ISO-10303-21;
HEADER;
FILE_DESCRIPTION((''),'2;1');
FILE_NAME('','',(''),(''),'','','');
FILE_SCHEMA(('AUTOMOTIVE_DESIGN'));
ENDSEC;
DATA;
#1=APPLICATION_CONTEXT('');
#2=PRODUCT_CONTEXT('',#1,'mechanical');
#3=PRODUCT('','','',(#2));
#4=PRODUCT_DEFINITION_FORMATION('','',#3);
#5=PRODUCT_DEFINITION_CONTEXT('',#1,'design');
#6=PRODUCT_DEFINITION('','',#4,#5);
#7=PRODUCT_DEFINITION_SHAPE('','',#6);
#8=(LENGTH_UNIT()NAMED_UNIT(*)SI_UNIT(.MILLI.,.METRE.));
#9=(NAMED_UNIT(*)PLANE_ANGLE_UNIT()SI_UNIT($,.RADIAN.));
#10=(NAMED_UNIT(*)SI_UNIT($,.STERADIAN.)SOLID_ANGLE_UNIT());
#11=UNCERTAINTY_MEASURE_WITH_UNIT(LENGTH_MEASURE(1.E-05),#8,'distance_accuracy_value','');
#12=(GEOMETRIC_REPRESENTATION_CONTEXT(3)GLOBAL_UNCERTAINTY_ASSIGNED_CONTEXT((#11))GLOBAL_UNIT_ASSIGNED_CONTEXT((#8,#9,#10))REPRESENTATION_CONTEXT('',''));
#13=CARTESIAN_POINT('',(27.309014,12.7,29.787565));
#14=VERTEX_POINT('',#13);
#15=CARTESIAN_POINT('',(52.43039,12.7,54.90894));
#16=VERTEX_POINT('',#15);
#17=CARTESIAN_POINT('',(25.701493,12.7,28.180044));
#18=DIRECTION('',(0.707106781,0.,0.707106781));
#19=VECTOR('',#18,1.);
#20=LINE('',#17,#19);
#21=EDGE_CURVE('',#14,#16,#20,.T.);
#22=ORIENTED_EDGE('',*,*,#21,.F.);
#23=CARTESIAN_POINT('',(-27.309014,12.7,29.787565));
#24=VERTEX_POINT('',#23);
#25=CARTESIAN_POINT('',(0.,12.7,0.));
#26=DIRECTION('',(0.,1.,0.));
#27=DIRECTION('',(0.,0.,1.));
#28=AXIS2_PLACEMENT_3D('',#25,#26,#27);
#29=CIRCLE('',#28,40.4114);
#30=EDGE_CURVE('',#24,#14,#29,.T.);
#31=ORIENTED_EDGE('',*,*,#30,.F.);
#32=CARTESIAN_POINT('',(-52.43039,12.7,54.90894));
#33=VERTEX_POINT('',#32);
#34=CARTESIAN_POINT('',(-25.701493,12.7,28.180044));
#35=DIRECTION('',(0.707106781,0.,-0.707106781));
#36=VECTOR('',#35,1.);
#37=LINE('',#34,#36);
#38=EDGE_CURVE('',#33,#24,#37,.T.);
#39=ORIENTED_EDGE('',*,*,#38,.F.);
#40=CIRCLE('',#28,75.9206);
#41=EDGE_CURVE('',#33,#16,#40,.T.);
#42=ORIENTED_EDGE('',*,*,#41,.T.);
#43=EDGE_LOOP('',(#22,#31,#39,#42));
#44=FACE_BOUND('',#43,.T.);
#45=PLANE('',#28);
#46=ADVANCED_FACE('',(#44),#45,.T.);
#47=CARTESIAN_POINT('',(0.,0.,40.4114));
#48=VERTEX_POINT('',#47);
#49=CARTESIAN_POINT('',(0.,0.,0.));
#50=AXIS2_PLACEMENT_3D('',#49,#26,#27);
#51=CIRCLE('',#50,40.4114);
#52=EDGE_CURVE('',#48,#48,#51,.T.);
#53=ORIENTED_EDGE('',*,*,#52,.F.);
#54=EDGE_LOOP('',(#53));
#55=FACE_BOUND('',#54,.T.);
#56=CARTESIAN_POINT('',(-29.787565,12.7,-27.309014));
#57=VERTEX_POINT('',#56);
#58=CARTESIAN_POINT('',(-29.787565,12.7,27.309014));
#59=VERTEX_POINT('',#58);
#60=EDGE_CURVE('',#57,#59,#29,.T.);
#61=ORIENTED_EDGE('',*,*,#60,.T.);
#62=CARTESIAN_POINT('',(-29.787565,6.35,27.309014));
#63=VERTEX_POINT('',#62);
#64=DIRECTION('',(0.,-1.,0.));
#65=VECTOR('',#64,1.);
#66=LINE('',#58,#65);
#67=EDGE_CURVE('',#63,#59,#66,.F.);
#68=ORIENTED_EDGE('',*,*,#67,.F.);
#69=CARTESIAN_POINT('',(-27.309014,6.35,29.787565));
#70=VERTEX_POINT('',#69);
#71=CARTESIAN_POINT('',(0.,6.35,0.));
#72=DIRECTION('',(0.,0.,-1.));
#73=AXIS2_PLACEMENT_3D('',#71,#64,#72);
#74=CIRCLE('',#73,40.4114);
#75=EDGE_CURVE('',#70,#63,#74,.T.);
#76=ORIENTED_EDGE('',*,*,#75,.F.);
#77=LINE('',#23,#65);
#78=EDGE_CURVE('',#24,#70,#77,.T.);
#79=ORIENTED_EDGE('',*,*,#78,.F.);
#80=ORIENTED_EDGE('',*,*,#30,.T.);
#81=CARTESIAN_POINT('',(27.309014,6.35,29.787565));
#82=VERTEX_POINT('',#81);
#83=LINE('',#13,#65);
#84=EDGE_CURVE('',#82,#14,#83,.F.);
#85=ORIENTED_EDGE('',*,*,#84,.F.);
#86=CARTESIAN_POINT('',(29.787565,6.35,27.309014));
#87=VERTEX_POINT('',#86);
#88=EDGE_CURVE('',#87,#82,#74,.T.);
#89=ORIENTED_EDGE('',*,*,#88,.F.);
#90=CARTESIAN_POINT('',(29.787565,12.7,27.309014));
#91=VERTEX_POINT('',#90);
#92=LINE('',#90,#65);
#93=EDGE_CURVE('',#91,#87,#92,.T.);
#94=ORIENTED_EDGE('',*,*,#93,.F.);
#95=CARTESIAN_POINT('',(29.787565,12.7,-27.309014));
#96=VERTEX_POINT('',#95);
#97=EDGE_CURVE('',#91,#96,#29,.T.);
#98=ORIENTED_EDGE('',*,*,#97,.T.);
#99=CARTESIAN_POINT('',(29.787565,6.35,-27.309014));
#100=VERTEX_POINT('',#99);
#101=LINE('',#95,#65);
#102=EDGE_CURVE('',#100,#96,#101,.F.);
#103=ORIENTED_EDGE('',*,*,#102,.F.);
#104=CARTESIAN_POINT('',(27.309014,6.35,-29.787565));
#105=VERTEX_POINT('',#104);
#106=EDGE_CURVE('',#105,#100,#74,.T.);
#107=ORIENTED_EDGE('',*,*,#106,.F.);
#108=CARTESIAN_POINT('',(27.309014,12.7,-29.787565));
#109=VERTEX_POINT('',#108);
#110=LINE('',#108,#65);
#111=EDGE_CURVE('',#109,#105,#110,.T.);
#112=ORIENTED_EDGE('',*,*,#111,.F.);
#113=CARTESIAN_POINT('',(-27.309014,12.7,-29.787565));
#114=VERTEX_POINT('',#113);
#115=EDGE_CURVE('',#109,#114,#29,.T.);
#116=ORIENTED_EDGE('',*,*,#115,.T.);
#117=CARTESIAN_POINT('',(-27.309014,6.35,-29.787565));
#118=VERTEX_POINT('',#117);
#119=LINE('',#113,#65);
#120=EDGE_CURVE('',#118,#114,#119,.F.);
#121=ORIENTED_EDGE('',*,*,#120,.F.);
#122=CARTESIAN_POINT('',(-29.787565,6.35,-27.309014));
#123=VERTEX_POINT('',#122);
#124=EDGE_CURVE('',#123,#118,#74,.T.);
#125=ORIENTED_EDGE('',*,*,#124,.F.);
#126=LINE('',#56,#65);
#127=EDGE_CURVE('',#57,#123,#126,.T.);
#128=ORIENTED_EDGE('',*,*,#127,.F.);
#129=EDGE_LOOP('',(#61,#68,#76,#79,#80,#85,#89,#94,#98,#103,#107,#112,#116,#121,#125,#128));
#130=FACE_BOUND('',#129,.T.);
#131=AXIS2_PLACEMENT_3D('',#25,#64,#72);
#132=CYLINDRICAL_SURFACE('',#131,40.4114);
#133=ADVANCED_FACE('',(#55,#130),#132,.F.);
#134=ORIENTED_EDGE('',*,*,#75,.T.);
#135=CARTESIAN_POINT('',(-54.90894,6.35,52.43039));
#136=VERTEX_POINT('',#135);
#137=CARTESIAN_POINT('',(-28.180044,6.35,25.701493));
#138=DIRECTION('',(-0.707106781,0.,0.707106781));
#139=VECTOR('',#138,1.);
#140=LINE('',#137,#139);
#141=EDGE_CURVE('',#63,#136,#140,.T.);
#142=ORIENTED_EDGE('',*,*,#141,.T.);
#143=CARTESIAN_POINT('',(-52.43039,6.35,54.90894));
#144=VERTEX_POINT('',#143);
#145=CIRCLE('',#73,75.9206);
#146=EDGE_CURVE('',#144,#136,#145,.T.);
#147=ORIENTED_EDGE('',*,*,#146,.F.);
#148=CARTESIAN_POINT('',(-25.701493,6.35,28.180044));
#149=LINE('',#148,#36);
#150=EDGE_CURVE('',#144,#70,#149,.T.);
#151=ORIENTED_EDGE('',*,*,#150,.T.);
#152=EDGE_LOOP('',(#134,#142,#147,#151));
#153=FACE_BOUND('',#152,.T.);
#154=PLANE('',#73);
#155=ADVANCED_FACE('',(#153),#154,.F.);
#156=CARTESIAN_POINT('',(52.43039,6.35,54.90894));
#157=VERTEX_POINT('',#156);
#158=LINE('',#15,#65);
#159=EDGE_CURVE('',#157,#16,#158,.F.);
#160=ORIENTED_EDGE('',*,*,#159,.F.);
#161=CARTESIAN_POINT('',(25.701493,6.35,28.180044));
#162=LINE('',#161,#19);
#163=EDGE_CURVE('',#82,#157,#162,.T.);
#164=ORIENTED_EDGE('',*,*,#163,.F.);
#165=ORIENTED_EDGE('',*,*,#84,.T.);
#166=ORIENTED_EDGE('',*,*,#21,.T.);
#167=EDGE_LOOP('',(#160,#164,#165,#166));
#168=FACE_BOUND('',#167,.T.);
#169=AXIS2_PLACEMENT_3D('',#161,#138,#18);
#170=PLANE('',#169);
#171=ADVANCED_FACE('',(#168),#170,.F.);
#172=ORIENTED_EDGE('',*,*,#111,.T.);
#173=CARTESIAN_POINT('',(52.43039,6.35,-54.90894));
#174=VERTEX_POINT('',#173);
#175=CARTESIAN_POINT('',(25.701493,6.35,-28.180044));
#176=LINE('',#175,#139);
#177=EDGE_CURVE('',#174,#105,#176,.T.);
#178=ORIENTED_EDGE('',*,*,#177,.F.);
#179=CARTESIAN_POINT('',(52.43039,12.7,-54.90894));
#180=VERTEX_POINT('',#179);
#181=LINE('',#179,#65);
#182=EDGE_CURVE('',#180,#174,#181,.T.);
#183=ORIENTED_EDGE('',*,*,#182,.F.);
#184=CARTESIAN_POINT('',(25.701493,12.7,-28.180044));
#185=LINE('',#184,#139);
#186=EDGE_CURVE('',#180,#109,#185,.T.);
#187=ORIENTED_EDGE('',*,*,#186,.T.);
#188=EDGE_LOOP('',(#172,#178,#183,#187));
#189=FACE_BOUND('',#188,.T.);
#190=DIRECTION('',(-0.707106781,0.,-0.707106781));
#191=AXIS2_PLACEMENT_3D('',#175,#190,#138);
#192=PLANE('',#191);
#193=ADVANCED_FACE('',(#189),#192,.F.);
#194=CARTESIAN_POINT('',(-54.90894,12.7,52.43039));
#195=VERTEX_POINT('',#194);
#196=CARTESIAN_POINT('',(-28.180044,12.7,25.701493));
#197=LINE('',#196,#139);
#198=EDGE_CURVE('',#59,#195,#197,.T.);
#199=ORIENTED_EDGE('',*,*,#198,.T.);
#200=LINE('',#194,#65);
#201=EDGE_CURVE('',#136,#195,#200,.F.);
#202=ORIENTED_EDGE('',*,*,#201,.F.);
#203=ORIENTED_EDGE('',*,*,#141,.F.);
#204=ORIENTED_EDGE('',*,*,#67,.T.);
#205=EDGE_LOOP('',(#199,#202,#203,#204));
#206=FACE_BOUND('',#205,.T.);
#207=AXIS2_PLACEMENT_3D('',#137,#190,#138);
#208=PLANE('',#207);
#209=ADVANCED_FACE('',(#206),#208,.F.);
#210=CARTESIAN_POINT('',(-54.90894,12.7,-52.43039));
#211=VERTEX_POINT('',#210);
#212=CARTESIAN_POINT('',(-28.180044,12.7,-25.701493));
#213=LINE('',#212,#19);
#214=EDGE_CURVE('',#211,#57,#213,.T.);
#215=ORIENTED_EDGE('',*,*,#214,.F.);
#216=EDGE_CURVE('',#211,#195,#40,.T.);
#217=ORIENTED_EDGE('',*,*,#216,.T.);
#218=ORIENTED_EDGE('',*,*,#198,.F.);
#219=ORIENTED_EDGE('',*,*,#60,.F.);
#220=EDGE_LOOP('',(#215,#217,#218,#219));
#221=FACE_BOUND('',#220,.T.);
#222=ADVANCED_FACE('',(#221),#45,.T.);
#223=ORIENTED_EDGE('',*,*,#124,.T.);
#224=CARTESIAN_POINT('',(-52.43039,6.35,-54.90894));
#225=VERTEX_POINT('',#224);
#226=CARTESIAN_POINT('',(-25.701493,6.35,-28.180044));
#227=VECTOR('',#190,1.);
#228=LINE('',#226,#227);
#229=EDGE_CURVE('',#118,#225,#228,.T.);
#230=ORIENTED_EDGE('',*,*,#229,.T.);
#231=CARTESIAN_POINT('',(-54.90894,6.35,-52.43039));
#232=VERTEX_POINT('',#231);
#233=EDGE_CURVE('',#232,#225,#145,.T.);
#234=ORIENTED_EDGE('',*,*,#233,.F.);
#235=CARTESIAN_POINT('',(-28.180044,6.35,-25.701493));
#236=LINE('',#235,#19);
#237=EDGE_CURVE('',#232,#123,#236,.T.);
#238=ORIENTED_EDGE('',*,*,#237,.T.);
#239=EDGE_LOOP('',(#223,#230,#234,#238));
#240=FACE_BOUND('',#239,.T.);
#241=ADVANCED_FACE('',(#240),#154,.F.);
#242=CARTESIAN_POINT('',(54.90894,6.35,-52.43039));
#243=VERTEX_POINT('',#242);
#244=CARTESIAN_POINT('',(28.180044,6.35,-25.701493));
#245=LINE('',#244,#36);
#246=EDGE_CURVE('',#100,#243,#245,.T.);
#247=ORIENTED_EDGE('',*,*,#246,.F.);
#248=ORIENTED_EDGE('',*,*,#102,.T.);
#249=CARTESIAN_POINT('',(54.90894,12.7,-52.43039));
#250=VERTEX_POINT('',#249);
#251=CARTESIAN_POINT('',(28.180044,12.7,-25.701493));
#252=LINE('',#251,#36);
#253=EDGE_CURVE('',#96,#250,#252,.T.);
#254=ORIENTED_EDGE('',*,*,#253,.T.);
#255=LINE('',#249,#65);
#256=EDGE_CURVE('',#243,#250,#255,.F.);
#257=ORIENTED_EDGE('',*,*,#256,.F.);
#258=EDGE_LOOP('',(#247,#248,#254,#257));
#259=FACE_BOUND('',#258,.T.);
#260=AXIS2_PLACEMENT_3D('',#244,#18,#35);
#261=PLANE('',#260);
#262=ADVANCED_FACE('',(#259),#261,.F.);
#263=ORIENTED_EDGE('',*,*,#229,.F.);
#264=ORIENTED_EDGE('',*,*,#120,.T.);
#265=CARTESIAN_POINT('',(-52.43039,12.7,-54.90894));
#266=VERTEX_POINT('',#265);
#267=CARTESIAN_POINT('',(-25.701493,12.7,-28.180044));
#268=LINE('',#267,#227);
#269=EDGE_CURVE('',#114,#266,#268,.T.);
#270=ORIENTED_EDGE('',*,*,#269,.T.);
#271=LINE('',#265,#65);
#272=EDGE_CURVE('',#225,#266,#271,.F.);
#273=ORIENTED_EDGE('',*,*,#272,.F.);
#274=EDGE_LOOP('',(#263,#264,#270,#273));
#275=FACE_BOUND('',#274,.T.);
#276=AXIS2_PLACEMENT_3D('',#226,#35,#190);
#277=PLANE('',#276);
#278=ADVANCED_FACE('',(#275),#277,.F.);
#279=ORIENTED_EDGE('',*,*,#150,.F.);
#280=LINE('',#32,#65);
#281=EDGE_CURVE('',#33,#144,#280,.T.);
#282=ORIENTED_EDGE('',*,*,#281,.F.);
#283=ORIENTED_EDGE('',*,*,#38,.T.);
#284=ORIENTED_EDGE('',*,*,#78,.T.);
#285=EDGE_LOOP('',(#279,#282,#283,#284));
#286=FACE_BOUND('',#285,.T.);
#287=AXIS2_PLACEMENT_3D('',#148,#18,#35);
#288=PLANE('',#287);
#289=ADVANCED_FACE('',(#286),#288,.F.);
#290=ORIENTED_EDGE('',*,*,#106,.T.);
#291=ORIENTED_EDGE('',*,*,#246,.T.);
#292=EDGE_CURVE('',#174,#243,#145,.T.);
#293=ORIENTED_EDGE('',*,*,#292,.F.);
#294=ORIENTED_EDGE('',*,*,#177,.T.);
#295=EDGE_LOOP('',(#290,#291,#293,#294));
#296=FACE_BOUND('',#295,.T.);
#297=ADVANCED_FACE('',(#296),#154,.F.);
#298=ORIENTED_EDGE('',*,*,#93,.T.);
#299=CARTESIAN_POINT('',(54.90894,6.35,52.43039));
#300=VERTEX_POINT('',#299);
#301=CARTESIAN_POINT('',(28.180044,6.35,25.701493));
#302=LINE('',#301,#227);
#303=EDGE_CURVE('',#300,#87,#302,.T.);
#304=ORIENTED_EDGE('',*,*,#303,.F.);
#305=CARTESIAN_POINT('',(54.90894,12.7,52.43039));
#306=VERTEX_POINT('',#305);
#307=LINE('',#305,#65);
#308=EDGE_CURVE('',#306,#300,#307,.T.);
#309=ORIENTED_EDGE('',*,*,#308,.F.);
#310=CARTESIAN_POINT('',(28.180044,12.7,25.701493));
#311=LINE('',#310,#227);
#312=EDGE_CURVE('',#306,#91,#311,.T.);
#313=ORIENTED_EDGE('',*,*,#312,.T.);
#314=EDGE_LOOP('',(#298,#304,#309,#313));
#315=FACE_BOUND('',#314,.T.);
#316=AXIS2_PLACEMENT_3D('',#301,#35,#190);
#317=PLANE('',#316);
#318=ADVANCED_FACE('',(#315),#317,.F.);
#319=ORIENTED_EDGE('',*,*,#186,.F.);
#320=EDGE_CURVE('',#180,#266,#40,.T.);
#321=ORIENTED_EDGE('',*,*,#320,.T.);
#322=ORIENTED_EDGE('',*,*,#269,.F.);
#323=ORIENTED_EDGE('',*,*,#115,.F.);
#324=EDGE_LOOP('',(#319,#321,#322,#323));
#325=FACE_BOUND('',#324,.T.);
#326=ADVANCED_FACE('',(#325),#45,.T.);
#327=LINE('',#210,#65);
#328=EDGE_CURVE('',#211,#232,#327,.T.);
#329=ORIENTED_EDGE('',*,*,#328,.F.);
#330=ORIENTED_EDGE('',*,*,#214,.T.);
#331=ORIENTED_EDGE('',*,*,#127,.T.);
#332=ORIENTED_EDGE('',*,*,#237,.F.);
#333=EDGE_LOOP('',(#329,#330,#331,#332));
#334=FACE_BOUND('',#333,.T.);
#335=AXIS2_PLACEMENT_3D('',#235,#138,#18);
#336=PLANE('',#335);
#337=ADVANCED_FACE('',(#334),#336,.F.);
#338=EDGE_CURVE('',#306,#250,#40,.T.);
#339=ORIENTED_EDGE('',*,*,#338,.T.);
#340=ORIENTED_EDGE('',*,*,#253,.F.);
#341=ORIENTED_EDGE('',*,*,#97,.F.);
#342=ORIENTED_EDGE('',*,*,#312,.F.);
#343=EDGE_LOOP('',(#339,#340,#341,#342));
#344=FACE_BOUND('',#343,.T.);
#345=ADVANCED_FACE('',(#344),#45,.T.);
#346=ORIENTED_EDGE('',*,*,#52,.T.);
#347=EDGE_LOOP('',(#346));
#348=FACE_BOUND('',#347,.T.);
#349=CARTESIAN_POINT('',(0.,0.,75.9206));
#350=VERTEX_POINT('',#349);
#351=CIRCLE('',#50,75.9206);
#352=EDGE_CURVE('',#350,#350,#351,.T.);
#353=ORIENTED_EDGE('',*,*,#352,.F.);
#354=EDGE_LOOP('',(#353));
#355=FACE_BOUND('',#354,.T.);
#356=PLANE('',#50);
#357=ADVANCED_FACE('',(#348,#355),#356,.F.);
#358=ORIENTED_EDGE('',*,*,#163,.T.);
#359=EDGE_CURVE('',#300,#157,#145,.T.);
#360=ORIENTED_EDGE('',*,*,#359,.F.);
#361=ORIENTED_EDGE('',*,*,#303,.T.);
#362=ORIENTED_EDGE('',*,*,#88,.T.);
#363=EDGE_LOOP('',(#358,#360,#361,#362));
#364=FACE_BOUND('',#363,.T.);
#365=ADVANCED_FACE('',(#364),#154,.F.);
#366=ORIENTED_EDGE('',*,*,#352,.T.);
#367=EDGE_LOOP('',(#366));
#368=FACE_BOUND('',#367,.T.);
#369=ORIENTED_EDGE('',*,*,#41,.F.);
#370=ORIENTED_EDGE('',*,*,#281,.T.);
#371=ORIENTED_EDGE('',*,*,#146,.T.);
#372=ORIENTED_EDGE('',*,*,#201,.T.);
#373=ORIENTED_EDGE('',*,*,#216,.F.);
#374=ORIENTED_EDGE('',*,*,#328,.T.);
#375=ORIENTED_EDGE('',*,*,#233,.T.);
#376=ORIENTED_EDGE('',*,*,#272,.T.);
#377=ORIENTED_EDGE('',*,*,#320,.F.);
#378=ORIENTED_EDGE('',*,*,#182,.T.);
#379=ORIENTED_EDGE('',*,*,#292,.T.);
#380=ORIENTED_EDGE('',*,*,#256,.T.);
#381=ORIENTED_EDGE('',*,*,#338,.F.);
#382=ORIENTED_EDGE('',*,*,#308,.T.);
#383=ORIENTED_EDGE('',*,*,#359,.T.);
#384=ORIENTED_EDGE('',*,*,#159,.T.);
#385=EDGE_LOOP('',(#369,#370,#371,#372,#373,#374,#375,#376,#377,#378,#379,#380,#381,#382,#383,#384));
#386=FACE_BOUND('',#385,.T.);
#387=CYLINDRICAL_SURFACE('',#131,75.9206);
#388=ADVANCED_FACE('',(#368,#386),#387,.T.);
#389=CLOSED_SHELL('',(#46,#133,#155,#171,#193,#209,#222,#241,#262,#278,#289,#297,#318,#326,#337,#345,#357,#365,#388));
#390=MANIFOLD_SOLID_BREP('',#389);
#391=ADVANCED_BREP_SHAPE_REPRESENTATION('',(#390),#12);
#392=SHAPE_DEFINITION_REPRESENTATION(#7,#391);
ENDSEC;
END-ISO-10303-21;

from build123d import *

# Parameters (mm, degrees)
SKETCH1_R           = 75.9206
BOSS_EXTRUDE1_DEPTH = 12.7
SKETCH1_10_R        = 40.4114
CUT_EXTRUDE2_DEPTH  = 13.7
CUT_EXTRUDE5_DEPTH  = 6.35


with BuildPart() as part:
    # Sketch1 → Boss-Extrude1 (new body)
    with BuildSketch(Plane(origin=(0, 0, 0), x_dir=(1, 0, 0), z_dir=(0, 1, 0))):
        Circle(SKETCH1_R)
    extrude(amount=BOSS_EXTRUDE1_DEPTH)

    # Sketch1<10> → Cut-Extrude2 (cut, through all)
    with BuildSketch(Plane(origin=(0, 0, 0), x_dir=(1, 0, 0), z_dir=(0, 1, 0))):
        Circle(SKETCH1_10_R)
    extrude(amount=CUT_EXTRUDE2_DEPTH, mode=Mode.SUBTRACT)

    # Sketch3 → Cut-Extrude5 (cut)
    with BuildSketch(Plane(origin=(0, 12.7, 0), x_dir=(1, 0, 0), z_dir=(0, 1, 0))):
        Polygon((-28.180043708, 25.701493018), (-25.701493019, 28.180043708), (-60.52670499, 63.00525568), (-63.00525568, 60.52670499), align=None)
        Polygon((28.180043708, 25.701493019), (63.00525568, 60.52670499), (60.52670499, 63.00525568), (25.701493019, 28.180043708), align=None)
        Polygon((25.701493019, -28.180043708), (60.52670499, -63.00525568), (63.00525568, -60.52670499), (28.180043708, -25.701493018), align=None)
        Polygon((-28.180043708, -25.701493019), (-63.00525568, -60.52670499), (-60.52670499, -63.00525568), (-25.701493018, -28.180043708), align=None)
    extrude(amount=-CUT_EXTRUDE5_DEPTH, mode=Mode.SUBTRACT)


solid = part.part
